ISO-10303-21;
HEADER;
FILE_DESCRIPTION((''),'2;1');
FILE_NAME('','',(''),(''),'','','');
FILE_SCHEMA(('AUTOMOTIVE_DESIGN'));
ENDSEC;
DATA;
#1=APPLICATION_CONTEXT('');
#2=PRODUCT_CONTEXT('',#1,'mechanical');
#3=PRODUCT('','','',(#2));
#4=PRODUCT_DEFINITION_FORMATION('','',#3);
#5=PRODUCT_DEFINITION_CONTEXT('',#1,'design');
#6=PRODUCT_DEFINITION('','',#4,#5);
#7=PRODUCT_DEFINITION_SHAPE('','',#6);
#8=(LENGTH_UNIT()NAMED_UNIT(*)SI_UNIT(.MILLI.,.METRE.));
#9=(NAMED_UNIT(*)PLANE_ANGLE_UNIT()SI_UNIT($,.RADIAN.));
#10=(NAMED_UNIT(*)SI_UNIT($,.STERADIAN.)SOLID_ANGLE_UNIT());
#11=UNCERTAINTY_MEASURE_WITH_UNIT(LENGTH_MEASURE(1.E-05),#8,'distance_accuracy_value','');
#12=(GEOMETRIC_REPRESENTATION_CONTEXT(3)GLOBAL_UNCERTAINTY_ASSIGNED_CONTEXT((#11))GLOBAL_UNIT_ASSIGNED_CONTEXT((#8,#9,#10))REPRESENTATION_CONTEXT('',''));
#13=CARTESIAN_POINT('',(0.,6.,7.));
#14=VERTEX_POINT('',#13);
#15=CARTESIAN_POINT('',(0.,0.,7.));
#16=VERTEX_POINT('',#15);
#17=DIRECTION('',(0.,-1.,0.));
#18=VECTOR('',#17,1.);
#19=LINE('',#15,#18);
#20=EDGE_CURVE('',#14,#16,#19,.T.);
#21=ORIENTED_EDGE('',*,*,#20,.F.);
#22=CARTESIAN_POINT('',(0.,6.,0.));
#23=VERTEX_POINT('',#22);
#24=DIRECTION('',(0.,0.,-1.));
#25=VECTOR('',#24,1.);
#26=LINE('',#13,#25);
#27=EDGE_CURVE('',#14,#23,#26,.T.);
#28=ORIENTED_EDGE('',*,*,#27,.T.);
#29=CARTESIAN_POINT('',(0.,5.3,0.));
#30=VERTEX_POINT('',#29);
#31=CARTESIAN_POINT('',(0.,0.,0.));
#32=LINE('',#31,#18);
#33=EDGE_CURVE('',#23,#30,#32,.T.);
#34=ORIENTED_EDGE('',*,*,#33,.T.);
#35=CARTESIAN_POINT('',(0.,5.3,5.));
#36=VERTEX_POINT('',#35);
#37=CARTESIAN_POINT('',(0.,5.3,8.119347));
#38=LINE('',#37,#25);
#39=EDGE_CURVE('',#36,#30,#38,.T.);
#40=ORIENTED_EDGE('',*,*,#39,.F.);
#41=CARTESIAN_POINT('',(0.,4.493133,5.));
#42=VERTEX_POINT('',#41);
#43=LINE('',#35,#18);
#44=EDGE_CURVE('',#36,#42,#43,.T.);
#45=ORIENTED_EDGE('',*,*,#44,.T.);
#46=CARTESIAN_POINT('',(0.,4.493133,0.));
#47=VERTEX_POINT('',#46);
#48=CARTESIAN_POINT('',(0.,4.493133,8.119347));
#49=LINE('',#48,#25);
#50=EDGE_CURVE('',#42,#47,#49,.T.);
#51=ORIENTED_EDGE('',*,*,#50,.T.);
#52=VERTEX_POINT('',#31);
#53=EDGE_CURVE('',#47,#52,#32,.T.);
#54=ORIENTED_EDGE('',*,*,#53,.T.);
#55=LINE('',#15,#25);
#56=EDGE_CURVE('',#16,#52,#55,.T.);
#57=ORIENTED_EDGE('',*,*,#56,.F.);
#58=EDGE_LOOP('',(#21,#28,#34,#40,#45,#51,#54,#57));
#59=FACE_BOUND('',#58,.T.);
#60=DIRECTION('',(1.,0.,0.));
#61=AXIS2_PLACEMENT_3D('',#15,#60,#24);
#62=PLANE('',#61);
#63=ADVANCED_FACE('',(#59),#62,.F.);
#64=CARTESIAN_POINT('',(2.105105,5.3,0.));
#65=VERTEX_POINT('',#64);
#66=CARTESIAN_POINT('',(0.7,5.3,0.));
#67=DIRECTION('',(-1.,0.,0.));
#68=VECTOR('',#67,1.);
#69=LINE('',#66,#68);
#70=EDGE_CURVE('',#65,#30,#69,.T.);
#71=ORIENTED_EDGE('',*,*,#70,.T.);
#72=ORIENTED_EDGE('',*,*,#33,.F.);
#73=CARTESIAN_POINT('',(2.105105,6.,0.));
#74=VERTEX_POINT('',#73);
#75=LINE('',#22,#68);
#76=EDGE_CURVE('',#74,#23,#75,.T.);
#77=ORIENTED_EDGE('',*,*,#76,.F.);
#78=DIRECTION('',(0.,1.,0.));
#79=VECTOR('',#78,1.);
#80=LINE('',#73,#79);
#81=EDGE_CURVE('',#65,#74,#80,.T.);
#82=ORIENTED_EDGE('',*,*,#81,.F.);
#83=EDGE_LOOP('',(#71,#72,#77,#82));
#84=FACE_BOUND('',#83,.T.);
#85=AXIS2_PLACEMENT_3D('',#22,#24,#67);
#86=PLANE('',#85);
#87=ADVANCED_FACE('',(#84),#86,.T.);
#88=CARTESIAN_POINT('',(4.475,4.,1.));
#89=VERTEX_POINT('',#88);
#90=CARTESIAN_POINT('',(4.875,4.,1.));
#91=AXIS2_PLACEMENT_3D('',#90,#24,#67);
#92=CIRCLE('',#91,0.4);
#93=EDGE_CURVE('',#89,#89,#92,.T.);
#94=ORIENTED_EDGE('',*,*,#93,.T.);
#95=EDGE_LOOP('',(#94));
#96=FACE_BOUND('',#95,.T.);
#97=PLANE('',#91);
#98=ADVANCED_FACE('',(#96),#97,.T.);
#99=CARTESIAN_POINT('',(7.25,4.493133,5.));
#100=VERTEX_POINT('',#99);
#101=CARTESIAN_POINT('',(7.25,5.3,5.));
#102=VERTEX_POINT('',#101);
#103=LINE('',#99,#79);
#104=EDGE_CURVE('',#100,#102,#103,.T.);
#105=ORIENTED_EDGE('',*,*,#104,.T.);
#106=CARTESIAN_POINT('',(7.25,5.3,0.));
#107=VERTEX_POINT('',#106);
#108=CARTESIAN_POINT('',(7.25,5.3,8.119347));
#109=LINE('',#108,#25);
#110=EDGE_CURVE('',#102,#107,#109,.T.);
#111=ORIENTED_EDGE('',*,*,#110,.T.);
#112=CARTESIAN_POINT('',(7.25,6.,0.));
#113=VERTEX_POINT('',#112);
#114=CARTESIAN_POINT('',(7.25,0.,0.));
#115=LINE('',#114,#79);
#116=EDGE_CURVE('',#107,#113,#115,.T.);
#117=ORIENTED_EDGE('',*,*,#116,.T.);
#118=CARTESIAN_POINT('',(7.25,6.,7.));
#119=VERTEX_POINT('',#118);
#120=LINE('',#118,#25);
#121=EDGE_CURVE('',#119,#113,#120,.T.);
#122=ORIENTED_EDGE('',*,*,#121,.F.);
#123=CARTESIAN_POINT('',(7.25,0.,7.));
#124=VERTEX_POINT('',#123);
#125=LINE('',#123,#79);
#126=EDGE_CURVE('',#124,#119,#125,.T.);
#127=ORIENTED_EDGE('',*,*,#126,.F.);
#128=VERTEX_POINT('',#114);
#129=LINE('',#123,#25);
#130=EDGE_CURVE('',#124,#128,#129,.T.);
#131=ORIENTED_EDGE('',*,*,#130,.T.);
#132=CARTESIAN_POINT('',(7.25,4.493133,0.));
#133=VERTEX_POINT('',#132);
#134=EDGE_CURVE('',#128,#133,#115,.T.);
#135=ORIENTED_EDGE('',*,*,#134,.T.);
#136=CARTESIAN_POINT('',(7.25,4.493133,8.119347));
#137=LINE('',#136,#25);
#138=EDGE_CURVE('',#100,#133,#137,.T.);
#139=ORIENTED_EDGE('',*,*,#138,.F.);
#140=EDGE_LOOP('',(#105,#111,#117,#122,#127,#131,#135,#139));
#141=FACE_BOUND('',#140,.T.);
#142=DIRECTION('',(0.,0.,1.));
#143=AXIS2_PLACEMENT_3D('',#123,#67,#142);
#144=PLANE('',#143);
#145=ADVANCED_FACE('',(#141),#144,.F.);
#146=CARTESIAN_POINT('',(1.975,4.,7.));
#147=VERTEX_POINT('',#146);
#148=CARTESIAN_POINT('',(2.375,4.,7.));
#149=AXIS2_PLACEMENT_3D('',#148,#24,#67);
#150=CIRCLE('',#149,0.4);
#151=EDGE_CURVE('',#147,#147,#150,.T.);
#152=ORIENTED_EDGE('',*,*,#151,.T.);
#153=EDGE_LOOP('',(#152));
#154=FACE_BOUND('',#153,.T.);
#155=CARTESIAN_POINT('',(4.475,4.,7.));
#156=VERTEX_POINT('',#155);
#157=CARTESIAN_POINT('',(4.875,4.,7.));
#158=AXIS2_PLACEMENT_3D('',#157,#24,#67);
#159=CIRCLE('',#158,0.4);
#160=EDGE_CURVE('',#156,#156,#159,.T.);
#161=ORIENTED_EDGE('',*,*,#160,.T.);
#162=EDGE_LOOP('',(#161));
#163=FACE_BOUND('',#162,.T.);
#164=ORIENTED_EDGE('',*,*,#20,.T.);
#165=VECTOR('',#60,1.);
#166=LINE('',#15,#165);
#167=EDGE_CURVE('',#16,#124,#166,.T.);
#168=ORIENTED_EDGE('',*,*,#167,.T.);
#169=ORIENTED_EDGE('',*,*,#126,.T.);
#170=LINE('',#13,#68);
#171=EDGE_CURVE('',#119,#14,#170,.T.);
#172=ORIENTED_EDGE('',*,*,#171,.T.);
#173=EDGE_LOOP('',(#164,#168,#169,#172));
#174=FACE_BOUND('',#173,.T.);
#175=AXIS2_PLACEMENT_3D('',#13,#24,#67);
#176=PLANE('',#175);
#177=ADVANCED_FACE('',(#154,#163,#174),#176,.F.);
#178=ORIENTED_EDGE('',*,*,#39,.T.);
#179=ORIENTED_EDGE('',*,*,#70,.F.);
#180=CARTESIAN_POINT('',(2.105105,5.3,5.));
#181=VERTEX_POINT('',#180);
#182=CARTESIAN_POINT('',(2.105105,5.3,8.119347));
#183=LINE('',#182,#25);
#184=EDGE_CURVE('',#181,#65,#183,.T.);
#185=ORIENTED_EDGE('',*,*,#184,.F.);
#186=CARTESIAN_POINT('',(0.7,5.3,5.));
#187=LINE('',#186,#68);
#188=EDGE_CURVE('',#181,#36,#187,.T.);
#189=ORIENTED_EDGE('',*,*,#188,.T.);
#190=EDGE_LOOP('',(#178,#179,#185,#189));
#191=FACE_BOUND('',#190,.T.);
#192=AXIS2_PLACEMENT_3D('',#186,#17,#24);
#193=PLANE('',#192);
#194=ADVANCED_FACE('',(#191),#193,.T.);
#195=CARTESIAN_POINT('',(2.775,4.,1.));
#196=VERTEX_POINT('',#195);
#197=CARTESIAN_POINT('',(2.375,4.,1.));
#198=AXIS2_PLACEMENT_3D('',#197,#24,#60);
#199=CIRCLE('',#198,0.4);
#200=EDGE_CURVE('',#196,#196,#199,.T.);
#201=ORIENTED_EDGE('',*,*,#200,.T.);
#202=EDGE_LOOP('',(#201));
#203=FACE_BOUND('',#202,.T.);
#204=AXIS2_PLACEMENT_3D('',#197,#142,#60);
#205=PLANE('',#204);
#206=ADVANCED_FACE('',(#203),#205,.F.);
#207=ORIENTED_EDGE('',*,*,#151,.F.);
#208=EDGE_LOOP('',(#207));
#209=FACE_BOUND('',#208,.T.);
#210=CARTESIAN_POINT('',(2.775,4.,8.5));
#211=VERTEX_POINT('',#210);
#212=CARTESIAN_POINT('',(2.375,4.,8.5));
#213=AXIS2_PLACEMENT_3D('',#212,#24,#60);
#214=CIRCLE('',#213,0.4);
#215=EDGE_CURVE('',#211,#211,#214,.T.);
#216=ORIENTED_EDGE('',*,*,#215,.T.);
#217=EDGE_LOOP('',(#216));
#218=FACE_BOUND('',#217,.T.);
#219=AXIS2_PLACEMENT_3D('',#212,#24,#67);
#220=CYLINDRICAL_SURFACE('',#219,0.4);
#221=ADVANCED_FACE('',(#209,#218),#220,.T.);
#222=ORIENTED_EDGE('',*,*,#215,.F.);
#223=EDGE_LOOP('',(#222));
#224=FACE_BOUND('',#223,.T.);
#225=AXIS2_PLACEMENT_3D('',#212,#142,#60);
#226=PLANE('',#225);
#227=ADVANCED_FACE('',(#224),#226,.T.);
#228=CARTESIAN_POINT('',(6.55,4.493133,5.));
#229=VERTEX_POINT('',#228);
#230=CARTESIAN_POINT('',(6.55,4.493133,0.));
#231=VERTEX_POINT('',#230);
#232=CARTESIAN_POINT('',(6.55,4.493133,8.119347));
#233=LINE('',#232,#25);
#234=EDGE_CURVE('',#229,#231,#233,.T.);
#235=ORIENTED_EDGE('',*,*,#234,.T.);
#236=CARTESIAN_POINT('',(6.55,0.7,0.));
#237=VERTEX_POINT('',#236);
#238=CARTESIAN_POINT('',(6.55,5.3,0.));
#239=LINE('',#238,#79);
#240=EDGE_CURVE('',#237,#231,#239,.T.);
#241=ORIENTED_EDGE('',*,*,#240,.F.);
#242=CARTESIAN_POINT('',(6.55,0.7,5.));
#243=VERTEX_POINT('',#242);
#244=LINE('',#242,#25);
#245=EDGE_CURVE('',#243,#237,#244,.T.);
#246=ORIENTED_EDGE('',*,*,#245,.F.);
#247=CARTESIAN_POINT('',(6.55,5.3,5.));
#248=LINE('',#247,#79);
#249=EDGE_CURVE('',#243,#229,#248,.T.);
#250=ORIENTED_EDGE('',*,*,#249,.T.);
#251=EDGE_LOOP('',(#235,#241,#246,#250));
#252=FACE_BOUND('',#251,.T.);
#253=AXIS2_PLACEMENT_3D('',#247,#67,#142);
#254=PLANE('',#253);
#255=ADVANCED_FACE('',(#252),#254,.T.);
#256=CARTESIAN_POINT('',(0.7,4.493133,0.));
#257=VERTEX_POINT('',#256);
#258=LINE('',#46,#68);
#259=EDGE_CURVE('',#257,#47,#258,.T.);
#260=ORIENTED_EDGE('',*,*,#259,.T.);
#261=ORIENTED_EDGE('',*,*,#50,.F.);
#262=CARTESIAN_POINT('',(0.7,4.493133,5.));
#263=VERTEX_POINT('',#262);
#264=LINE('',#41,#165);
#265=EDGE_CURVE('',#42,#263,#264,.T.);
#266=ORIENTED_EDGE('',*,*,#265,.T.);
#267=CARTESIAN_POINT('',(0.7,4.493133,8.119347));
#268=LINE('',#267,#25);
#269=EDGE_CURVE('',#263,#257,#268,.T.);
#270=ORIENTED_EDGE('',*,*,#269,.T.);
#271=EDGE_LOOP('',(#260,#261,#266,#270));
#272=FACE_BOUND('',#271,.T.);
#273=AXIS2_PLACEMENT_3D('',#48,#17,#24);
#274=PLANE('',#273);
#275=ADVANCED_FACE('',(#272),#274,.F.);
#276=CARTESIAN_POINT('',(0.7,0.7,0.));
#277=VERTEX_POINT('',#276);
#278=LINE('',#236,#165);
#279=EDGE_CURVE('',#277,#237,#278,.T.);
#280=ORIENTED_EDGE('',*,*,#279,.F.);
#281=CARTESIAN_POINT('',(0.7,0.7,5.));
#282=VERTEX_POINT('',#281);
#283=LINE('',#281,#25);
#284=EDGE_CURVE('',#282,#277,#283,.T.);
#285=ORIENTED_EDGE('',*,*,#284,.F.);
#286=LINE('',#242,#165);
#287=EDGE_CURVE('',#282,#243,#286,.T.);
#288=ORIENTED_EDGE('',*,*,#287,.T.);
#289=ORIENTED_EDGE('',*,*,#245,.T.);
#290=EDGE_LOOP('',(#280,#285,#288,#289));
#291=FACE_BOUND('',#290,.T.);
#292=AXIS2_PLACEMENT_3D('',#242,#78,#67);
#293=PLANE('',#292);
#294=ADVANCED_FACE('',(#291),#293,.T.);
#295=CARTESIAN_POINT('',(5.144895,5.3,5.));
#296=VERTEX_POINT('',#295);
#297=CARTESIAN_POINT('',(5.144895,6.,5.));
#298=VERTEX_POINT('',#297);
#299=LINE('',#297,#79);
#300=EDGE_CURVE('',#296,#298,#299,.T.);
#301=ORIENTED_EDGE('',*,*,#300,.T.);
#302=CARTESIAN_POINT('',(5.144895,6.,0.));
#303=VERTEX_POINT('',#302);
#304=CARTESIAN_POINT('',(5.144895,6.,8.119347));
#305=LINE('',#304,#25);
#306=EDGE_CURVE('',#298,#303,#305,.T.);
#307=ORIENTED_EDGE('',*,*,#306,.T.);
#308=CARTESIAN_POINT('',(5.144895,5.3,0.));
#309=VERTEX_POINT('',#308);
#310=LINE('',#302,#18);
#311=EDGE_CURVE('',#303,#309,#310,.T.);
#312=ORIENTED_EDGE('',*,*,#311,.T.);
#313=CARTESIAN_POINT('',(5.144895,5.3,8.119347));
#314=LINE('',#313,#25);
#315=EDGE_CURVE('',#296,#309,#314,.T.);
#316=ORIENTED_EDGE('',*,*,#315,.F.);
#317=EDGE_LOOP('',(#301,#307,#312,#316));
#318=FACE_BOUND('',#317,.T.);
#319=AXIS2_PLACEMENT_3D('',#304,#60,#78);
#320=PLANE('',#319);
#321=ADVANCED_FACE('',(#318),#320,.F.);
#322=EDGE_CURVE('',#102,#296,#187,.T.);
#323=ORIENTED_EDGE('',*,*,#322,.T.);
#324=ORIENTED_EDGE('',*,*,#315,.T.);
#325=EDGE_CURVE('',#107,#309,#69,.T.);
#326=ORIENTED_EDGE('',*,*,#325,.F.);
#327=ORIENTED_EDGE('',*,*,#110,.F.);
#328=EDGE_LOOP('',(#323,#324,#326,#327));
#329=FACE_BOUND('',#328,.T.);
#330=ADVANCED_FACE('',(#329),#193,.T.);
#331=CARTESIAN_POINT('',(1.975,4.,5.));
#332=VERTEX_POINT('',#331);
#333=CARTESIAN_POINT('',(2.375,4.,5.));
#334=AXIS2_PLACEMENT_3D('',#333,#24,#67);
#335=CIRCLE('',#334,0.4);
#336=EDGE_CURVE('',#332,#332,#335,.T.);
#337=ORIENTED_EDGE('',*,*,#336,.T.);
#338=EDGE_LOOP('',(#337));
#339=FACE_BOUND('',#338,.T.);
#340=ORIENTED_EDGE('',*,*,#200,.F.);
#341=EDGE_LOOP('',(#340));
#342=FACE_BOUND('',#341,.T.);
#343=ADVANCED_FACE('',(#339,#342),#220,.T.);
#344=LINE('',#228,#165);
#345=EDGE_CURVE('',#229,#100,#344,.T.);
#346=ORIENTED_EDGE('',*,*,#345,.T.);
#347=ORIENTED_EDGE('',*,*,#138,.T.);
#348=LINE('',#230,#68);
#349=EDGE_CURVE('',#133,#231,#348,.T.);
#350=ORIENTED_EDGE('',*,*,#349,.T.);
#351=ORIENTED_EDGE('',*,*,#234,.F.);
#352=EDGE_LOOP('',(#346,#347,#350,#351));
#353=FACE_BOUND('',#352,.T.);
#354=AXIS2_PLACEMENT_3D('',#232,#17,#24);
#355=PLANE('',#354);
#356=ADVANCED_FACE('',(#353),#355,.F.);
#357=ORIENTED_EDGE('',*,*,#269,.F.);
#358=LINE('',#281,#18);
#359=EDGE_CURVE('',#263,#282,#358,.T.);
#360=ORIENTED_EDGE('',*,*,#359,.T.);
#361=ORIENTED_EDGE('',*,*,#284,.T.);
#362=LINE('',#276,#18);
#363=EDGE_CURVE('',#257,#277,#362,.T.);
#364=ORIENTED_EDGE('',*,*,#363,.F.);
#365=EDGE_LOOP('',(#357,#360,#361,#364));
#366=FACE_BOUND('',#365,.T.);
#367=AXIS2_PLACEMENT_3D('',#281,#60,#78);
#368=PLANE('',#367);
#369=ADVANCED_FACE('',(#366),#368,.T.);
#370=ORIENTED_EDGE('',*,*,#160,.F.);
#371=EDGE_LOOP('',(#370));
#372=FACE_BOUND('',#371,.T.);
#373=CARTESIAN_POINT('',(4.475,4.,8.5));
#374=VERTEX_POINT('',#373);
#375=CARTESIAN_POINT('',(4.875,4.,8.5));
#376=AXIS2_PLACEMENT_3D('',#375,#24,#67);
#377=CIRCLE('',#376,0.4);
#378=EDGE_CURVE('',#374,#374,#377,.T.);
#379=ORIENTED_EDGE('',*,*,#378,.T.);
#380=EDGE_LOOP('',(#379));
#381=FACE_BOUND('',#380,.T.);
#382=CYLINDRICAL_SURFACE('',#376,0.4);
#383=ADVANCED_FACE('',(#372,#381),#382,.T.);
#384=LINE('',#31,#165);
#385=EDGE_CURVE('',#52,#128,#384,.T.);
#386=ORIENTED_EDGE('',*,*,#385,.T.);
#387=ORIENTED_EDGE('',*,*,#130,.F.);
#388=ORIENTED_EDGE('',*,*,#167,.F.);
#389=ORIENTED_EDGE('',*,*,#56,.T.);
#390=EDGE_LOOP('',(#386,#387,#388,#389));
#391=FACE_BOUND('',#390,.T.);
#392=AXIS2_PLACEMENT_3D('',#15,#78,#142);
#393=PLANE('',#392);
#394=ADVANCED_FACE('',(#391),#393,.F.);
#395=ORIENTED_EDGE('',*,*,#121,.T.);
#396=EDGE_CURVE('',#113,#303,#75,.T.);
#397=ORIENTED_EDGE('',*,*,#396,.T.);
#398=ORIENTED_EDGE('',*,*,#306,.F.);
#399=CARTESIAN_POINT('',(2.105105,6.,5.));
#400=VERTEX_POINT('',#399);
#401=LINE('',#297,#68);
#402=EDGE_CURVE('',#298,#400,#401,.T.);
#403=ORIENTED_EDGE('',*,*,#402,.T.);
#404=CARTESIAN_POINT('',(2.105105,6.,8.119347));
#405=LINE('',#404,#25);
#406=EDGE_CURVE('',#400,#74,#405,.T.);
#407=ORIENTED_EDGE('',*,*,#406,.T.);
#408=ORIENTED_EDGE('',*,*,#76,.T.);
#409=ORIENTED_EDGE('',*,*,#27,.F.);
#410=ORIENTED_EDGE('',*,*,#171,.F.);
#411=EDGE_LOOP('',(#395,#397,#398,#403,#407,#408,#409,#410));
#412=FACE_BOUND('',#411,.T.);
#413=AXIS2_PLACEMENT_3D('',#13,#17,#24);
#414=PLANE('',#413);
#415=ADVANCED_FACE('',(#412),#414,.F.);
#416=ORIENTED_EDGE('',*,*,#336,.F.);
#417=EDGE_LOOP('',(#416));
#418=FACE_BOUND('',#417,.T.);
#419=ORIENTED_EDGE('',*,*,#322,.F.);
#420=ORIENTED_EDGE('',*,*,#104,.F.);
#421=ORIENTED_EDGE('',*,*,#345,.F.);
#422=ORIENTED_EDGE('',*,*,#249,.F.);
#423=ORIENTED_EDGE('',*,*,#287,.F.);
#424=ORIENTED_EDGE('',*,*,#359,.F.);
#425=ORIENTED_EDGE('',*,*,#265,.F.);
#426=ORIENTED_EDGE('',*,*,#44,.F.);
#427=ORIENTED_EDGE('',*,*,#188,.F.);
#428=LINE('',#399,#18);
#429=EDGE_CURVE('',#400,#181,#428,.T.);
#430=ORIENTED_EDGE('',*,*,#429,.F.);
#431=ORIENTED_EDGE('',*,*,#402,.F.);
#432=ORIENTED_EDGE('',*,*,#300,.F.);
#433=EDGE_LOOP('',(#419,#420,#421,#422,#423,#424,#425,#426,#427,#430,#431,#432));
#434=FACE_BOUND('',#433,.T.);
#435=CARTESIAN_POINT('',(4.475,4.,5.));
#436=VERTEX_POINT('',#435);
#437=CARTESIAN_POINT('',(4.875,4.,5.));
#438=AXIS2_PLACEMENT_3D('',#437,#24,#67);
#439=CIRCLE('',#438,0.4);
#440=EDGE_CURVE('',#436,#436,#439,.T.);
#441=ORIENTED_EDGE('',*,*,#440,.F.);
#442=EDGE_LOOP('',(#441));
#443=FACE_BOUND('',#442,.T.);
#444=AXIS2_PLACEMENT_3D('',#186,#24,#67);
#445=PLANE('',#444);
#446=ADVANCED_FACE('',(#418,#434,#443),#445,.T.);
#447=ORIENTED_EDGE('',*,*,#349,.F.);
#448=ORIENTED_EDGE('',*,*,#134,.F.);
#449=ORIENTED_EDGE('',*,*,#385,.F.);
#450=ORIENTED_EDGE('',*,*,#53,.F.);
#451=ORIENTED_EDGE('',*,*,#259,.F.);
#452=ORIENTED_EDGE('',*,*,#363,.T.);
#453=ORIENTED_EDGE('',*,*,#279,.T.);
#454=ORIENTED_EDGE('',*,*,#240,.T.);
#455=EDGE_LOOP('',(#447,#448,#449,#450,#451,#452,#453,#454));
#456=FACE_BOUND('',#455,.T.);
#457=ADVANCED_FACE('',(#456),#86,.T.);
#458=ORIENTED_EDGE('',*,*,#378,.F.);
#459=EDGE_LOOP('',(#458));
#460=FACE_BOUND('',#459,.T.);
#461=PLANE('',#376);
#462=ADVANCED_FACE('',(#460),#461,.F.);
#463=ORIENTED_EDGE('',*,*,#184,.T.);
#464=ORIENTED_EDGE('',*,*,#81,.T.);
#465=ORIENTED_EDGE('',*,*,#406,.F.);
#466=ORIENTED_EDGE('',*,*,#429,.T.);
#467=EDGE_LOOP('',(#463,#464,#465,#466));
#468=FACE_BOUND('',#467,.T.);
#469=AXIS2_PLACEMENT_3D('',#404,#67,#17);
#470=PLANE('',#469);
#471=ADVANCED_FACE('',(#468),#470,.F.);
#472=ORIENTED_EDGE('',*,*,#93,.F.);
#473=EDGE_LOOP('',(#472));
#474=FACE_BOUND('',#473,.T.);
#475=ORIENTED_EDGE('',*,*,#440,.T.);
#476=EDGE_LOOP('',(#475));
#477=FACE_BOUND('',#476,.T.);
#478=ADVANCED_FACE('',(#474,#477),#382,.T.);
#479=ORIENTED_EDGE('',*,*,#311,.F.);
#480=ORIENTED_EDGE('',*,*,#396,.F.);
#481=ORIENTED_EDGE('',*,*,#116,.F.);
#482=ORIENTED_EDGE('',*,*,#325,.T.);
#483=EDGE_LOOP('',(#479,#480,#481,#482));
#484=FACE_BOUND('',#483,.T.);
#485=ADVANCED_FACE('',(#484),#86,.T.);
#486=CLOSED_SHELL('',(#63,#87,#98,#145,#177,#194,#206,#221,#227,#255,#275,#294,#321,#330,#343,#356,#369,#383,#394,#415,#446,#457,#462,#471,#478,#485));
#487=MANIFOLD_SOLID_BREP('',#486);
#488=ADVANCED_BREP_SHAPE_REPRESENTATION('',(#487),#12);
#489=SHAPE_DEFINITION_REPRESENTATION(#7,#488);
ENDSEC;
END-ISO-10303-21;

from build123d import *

# Parameters (mm, degrees)
SKETCH_1_W           = 7.25
SKETCH_1_H           = 6
EXTRUDE_1_DEPTH      = 7
SKETCH_2_W           = 5.85
SKETCH_2_H           = 4.6
CUT_EXTRUDE_1_DEPTH  = 5
SKETCH_3_W           = 0.7
SKETCH_3_H           = 0.8068671
SKETCH_3_W_2         = 3.039789906
SKETCH_3_H_2         = 0.7
CUT_EXTRUDE_2_DEPTH  = 5
EXTRUDE_2_DEPTH      = 4
EXTRUDE_2_DEPTH_BACK = 3.5
SKETCH_4_R           = 0.4


with BuildPart() as part:
    # 草图1 → 凸台-拉伸1 (new body)
    with BuildSketch(Plane.XY):
        with Locations((3.625, 3)):
            Rectangle(SKETCH_1_W, SKETCH_1_H)
    extrude(amount=EXTRUDE_1_DEPTH)

    # 草图2 → 切除-拉伸1 (cut)
    with BuildSketch(Plane.XY):
        with Locations((3.625, 3)):
            Rectangle(SKETCH_2_W, SKETCH_2_H)
    extrude(amount=CUT_EXTRUDE_1_DEPTH, mode=Mode.SUBTRACT)

    # 草图3 → 切除-拉伸2 (cut)
    with BuildSketch(Plane(origin=(0, 0, 0), x_dir=(-1, 0, 0), z_dir=(0, 0, -1))):
        with Locations((-6.9, 4.89656645)):
            Rectangle(SKETCH_3_W, SKETCH_3_H)
        with Locations((-0.35, 4.89656645)):
            Rectangle(SKETCH_3_W, SKETCH_3_H)
        with Locations((-3.625, 5.65)):
            Rectangle(SKETCH_3_W_2, SKETCH_3_H_2)
    extrude(amount=-CUT_EXTRUDE_2_DEPTH, mode=Mode.SUBTRACT)

    # 草图4 → 凸台-拉伸2 (add, two sides: drawn at the far end of the back side and taken through both)
    with BuildSketch(Plane(origin=(0, 0, 5), x_dir=(-1, 0, 0), z_dir=(0, 0, -1)).offset(-EXTRUDE_2_DEPTH_BACK)):
        with Locations((-4.875, 4)):
            Circle(SKETCH_4_R)
        with Locations((-2.375, 4)):
            Circle(SKETCH_4_R)
    extrude(amount=EXTRUDE_2_DEPTH + EXTRUDE_2_DEPTH_BACK)


solid = part.part
